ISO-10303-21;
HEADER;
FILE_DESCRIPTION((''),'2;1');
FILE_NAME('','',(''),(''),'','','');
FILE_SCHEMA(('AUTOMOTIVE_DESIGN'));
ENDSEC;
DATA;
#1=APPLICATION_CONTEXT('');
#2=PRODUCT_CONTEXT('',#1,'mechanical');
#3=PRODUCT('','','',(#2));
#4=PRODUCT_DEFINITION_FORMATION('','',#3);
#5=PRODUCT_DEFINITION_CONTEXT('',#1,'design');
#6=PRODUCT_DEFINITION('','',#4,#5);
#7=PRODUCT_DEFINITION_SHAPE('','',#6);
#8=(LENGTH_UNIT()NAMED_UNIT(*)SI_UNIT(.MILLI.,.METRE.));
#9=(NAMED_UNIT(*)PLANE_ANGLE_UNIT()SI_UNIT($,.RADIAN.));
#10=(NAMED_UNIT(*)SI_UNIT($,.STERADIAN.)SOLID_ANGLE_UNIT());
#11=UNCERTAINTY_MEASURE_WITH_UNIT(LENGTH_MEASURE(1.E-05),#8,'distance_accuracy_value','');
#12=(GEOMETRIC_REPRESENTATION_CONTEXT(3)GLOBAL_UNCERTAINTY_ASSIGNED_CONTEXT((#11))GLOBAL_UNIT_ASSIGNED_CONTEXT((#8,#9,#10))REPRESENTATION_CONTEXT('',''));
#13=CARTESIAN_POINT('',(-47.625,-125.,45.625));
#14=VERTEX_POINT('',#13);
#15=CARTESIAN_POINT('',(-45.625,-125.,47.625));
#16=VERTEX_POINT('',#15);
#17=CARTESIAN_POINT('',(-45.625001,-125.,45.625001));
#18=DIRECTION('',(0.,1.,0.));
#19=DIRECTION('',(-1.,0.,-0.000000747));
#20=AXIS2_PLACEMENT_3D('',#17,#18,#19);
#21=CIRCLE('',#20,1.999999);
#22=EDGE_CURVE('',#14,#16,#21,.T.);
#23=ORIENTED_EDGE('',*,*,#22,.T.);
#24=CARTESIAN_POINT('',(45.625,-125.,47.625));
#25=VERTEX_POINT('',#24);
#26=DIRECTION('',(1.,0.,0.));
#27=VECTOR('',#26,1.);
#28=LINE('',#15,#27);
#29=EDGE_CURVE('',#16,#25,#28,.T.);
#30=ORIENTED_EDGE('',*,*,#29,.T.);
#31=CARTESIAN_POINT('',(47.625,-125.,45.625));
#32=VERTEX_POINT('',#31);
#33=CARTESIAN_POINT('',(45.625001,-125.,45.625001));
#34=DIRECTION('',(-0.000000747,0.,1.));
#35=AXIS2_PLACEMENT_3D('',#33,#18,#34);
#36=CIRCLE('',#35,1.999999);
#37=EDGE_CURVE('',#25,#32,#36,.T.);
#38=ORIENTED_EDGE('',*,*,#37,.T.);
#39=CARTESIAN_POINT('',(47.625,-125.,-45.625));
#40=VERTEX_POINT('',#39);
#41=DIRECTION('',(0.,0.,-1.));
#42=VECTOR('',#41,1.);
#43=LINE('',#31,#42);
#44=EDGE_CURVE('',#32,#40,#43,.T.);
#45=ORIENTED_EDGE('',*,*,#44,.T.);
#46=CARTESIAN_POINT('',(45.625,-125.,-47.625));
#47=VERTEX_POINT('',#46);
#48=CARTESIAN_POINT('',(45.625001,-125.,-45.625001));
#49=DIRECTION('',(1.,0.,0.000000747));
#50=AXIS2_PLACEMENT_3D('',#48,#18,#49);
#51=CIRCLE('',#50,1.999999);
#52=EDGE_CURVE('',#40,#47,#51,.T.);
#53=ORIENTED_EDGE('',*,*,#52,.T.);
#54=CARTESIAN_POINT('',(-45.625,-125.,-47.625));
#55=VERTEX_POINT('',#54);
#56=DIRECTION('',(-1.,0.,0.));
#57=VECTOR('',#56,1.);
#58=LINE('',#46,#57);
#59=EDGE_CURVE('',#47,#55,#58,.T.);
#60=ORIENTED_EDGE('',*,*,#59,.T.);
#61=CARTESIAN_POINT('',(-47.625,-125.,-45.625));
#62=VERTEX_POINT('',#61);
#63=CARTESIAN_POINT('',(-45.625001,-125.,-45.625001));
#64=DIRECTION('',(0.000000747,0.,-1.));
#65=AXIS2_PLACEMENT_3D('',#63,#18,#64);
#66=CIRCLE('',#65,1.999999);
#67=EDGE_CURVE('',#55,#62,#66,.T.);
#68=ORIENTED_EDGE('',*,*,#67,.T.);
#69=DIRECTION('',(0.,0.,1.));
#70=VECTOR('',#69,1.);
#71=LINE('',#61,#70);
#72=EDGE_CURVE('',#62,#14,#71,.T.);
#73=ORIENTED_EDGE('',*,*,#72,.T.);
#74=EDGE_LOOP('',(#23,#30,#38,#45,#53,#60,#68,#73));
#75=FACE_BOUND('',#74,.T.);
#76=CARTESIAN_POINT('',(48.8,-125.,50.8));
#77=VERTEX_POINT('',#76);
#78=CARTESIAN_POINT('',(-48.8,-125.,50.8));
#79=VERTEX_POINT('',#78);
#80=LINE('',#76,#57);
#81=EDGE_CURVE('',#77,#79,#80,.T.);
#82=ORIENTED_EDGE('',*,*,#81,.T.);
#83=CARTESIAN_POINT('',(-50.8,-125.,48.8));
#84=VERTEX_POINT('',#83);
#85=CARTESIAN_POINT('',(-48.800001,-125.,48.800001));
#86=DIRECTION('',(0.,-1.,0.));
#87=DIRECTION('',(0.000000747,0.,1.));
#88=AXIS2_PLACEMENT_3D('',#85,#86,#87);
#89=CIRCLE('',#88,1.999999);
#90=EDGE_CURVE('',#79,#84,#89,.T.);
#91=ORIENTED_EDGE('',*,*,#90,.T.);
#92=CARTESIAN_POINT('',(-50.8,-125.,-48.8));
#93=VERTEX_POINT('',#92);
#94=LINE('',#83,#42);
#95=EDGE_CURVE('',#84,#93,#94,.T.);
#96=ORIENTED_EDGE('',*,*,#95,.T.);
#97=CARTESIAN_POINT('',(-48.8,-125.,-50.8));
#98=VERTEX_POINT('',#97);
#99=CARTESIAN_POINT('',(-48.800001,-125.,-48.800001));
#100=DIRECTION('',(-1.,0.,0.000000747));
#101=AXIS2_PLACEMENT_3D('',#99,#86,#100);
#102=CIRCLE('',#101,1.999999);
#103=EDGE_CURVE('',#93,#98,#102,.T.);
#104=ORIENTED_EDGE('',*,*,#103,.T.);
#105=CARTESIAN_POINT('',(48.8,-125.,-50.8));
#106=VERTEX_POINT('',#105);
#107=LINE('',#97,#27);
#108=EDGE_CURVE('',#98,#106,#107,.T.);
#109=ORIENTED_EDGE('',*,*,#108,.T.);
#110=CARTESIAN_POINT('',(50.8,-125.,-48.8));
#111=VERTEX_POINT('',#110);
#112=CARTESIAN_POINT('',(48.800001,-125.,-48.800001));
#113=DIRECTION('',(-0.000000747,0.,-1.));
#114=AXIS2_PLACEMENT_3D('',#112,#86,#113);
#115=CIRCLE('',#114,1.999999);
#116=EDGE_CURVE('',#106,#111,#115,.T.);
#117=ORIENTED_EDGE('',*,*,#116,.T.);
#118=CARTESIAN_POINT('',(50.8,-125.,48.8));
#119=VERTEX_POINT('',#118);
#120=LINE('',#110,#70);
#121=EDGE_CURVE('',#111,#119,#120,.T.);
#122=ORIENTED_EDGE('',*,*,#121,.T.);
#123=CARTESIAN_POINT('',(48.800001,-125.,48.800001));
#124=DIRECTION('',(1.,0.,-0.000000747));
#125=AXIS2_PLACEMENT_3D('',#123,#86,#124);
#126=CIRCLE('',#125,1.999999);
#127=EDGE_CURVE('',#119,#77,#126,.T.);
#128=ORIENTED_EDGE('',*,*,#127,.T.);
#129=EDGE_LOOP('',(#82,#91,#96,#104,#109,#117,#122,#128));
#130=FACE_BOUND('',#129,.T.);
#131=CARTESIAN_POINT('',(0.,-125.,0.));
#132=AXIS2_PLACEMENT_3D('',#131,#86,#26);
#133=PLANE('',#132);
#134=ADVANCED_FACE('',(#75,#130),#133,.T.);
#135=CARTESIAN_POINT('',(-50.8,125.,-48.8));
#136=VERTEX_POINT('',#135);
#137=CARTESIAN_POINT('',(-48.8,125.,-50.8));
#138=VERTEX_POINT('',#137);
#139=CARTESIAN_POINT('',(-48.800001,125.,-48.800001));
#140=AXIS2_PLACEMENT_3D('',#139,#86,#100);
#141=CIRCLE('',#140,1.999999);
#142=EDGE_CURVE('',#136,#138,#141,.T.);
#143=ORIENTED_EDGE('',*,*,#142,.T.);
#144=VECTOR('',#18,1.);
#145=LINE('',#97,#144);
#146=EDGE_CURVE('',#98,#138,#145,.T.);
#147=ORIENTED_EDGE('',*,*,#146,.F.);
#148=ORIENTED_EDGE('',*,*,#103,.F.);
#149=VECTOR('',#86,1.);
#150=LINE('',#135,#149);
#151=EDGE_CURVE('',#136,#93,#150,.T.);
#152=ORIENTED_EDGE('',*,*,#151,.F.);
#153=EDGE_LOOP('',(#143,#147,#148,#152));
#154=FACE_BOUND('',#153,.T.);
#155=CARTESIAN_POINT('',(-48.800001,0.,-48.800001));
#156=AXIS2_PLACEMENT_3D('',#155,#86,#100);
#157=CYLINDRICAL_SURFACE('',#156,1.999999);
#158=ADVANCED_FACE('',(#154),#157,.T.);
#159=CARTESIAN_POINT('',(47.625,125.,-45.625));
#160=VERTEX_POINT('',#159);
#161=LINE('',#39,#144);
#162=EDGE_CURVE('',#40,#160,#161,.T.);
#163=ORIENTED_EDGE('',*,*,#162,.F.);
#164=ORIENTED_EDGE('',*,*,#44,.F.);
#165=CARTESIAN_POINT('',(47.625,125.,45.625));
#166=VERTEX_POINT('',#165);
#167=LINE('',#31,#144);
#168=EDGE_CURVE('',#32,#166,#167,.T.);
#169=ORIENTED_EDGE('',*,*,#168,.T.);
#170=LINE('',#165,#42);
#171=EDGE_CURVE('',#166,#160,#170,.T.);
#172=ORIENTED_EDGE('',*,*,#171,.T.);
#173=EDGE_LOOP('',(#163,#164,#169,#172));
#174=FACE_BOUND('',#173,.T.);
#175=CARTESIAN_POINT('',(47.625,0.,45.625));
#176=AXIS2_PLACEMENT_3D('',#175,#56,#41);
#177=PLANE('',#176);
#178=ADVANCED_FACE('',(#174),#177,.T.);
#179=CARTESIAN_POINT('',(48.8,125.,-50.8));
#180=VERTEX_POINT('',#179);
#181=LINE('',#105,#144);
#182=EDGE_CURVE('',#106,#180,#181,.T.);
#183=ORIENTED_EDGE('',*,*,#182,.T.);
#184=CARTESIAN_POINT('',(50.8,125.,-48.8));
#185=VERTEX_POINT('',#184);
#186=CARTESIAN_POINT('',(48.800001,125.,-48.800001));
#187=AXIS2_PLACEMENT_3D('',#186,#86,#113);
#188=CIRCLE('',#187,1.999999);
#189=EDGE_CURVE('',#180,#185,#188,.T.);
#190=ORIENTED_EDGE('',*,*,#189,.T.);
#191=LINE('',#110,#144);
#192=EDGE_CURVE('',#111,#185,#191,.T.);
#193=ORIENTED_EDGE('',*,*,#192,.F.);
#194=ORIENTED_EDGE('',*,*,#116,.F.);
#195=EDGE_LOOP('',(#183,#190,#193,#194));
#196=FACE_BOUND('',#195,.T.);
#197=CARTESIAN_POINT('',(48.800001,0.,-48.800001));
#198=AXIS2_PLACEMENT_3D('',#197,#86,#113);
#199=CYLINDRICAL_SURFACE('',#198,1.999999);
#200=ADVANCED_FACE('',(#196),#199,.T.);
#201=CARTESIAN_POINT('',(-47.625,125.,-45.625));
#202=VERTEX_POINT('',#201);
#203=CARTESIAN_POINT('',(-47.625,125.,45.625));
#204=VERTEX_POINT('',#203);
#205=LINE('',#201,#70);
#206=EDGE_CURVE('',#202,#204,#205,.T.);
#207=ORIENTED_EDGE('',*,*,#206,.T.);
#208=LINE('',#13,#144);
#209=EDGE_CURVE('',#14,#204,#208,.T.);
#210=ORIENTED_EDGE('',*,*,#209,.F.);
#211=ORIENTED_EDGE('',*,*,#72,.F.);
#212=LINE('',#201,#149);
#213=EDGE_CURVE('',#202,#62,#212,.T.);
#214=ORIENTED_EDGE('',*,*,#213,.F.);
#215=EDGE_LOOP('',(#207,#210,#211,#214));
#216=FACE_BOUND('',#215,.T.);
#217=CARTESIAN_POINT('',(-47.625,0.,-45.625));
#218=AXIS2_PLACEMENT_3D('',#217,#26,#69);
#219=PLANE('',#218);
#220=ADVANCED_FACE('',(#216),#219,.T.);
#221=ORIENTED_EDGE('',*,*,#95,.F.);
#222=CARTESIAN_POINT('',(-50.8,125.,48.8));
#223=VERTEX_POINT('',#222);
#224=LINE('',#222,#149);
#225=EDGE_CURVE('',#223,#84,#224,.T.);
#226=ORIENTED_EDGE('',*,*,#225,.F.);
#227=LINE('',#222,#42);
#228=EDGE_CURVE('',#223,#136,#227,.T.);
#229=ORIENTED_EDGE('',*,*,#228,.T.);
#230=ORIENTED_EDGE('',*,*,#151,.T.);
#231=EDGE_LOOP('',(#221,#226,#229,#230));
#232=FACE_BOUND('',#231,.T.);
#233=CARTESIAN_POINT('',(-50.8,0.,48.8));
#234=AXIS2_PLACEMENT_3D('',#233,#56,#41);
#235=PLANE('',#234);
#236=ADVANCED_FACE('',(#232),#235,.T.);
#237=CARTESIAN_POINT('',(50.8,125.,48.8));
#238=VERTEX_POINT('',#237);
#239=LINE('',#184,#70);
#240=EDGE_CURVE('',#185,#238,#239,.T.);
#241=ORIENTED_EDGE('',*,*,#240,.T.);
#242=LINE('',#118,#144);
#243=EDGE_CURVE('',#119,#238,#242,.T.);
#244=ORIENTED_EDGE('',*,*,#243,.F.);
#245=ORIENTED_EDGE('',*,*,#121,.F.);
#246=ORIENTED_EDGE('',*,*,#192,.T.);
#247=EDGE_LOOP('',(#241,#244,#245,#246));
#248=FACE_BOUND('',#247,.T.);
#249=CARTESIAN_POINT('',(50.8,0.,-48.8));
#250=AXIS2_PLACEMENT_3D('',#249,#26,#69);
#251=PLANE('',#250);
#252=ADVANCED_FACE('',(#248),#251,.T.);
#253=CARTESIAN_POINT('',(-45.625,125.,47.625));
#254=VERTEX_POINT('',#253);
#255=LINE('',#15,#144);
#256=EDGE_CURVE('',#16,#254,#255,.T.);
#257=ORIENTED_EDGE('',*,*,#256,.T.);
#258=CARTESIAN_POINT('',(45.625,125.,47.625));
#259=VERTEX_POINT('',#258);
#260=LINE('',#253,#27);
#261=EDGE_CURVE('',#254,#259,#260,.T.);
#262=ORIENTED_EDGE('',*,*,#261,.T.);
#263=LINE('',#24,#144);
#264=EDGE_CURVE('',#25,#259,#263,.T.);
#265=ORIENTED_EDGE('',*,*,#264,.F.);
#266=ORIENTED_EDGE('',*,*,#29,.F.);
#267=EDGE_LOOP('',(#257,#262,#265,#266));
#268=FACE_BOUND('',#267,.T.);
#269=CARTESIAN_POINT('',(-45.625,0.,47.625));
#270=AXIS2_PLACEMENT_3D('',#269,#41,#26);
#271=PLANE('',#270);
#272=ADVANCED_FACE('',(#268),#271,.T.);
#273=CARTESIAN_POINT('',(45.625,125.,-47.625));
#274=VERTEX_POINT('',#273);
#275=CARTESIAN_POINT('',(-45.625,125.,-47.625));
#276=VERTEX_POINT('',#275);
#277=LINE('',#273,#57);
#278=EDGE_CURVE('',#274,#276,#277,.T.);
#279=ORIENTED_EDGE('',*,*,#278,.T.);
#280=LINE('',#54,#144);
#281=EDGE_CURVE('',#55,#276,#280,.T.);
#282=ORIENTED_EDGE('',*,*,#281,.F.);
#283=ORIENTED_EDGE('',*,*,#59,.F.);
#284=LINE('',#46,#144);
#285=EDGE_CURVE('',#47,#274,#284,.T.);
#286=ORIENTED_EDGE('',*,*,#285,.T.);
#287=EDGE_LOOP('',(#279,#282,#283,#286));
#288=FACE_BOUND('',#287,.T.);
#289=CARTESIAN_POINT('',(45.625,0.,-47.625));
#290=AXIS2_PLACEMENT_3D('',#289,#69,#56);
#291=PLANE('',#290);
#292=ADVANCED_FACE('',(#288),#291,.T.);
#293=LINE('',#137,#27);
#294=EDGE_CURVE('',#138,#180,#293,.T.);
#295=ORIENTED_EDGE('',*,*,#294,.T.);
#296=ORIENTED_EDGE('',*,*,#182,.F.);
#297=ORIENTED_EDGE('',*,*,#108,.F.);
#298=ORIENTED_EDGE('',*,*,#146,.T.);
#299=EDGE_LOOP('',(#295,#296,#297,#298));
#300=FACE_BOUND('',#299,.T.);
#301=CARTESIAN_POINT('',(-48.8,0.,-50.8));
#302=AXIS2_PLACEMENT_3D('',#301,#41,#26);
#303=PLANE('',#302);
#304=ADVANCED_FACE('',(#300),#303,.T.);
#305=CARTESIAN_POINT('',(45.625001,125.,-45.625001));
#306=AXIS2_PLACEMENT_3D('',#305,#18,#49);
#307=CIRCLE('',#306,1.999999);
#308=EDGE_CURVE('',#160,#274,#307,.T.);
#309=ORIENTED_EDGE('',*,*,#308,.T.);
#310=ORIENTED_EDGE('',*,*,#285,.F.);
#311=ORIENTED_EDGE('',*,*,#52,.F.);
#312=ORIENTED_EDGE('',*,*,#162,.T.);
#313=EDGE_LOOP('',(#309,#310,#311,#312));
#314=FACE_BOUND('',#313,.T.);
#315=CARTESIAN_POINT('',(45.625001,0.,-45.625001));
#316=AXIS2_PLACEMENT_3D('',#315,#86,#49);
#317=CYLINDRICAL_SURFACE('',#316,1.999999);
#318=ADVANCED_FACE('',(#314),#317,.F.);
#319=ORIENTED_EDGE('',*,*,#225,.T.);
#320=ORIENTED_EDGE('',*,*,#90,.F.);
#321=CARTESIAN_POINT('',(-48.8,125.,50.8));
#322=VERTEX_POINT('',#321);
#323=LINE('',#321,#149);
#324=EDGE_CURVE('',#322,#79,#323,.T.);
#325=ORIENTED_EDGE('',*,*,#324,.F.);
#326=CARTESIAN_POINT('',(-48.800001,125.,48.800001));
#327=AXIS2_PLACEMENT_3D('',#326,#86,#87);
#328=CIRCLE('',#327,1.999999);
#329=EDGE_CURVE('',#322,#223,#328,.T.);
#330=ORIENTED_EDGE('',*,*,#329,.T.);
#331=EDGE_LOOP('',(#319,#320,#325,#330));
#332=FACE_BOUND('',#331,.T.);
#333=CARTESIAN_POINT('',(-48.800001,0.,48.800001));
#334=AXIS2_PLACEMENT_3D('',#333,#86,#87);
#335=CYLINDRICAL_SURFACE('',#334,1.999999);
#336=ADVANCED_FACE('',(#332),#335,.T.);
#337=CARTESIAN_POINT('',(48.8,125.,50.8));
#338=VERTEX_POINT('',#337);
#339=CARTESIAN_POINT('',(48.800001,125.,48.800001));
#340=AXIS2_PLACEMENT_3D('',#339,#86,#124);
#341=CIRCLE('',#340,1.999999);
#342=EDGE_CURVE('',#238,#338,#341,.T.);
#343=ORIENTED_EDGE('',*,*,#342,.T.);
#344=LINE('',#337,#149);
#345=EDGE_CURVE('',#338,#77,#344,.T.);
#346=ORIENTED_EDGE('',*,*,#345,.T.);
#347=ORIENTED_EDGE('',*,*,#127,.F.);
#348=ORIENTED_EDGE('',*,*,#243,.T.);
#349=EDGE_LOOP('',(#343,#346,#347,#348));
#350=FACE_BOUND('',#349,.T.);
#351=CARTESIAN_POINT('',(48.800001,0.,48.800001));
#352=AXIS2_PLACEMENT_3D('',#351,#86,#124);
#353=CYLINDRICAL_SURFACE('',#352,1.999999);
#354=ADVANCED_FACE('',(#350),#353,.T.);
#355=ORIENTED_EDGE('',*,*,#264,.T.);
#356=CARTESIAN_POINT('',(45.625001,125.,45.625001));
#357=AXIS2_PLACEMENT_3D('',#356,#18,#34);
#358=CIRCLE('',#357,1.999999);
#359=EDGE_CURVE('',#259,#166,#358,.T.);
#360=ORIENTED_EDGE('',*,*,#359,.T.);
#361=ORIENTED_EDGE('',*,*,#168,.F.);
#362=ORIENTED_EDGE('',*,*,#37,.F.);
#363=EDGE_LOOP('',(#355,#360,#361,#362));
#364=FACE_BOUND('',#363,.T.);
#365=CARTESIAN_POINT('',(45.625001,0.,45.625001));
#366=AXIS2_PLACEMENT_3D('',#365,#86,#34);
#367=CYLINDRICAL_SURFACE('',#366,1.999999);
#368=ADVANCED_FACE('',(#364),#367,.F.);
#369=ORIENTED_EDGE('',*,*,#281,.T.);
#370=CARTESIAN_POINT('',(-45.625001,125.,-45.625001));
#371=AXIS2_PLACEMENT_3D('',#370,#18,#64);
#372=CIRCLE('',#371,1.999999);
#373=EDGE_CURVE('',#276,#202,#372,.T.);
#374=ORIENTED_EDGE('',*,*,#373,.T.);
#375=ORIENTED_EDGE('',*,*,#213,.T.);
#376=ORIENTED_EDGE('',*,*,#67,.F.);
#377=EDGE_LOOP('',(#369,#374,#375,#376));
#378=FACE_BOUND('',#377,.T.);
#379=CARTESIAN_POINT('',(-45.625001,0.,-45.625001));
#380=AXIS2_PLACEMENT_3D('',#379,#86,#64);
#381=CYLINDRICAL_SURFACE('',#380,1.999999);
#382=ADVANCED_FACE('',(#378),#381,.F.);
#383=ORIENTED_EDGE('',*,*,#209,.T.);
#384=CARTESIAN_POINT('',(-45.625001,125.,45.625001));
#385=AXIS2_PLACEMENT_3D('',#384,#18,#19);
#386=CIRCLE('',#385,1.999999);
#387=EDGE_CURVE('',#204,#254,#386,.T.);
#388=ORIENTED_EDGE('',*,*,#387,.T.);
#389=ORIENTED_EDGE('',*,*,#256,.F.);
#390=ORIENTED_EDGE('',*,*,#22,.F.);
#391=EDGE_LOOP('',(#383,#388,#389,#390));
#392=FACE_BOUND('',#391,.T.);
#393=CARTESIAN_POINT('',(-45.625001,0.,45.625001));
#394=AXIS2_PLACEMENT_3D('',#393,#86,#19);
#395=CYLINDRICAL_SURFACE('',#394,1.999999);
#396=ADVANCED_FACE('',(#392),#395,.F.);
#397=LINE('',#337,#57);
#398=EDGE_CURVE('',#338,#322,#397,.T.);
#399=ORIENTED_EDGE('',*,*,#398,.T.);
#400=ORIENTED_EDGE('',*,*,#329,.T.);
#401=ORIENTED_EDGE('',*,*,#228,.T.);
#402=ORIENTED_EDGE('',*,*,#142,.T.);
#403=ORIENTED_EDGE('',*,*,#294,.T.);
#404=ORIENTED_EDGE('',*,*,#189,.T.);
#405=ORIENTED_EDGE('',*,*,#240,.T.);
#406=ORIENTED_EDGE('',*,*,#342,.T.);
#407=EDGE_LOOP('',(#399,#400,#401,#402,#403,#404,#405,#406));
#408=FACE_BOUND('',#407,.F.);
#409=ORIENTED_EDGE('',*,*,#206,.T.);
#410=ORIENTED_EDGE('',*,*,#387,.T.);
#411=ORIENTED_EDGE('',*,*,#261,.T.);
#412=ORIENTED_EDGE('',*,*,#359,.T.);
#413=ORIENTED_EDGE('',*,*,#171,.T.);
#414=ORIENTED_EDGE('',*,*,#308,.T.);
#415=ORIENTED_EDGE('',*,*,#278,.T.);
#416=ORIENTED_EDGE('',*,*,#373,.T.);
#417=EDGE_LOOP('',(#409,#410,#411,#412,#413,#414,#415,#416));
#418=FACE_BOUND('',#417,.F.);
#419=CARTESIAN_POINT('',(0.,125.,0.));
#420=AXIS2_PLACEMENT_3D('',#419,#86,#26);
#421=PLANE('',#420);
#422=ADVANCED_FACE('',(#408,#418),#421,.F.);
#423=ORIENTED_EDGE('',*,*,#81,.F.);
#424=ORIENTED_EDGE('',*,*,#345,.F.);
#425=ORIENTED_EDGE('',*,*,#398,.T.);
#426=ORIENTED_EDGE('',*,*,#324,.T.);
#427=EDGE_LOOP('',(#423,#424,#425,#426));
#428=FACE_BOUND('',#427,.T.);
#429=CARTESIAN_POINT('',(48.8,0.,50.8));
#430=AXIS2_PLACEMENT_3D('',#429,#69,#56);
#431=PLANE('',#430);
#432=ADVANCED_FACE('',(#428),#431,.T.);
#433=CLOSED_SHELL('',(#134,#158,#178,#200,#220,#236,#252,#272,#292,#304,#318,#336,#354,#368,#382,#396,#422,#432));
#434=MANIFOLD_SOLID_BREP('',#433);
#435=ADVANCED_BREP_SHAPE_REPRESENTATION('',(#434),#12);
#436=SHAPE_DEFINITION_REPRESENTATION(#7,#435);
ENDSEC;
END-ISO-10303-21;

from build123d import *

# Parameters (mm, degrees)
F1_DEPTH = 125


with BuildPart() as f1:
    # F0 (on Front) → F1 (new body, symmetric)
    with BuildSketch(Plane.XZ):
        with BuildLine():
            ThreePointArc((50.8, 48.8), (50.214214, 50.214214), (48.8, 50.8))
            Line((48.8, 50.8), (-48.8, 50.8))
            ThreePointArc((-48.8, 50.8), (-50.214214, 50.214214), (-50.8, 48.8))
            Line((-50.8, 48.8), (-50.8, -48.8))
            ThreePointArc((-50.8, -48.8), (-50.214214, -50.214214), (-48.8, -50.8))
            Line((-48.8, -50.8), (48.8, -50.8))
            ThreePointArc((48.8, -50.8), (50.214214, -50.214214), (50.8, -48.8))
            Line((50.8, -48.8), (50.8, 48.8))
        make_face()
        with BuildLine():
            Line((-47.625, -45.625), (-47.625, 45.625))
            ThreePointArc((-47.625, 45.625), (-47.039214, 47.039214), (-45.625, 47.625))
            Line((-45.625, 47.625), (45.625, 47.625))
            ThreePointArc((45.625, 47.625), (47.039214, 47.039214), (47.625, 45.625))
            Line((47.625, 45.625), (47.625, -45.625))
            ThreePointArc((47.625, -45.625), (47.039214, -47.039214), (45.625, -47.625))
            Line((45.625, -47.625), (-45.625, -47.625))
            ThreePointArc((-45.625, -47.625), (-47.039214, -47.039214), (-47.625, -45.625))
        make_face(mode=Mode.SUBTRACT)
    extrude(amount=F1_DEPTH, both=True)


solid = f1.part
